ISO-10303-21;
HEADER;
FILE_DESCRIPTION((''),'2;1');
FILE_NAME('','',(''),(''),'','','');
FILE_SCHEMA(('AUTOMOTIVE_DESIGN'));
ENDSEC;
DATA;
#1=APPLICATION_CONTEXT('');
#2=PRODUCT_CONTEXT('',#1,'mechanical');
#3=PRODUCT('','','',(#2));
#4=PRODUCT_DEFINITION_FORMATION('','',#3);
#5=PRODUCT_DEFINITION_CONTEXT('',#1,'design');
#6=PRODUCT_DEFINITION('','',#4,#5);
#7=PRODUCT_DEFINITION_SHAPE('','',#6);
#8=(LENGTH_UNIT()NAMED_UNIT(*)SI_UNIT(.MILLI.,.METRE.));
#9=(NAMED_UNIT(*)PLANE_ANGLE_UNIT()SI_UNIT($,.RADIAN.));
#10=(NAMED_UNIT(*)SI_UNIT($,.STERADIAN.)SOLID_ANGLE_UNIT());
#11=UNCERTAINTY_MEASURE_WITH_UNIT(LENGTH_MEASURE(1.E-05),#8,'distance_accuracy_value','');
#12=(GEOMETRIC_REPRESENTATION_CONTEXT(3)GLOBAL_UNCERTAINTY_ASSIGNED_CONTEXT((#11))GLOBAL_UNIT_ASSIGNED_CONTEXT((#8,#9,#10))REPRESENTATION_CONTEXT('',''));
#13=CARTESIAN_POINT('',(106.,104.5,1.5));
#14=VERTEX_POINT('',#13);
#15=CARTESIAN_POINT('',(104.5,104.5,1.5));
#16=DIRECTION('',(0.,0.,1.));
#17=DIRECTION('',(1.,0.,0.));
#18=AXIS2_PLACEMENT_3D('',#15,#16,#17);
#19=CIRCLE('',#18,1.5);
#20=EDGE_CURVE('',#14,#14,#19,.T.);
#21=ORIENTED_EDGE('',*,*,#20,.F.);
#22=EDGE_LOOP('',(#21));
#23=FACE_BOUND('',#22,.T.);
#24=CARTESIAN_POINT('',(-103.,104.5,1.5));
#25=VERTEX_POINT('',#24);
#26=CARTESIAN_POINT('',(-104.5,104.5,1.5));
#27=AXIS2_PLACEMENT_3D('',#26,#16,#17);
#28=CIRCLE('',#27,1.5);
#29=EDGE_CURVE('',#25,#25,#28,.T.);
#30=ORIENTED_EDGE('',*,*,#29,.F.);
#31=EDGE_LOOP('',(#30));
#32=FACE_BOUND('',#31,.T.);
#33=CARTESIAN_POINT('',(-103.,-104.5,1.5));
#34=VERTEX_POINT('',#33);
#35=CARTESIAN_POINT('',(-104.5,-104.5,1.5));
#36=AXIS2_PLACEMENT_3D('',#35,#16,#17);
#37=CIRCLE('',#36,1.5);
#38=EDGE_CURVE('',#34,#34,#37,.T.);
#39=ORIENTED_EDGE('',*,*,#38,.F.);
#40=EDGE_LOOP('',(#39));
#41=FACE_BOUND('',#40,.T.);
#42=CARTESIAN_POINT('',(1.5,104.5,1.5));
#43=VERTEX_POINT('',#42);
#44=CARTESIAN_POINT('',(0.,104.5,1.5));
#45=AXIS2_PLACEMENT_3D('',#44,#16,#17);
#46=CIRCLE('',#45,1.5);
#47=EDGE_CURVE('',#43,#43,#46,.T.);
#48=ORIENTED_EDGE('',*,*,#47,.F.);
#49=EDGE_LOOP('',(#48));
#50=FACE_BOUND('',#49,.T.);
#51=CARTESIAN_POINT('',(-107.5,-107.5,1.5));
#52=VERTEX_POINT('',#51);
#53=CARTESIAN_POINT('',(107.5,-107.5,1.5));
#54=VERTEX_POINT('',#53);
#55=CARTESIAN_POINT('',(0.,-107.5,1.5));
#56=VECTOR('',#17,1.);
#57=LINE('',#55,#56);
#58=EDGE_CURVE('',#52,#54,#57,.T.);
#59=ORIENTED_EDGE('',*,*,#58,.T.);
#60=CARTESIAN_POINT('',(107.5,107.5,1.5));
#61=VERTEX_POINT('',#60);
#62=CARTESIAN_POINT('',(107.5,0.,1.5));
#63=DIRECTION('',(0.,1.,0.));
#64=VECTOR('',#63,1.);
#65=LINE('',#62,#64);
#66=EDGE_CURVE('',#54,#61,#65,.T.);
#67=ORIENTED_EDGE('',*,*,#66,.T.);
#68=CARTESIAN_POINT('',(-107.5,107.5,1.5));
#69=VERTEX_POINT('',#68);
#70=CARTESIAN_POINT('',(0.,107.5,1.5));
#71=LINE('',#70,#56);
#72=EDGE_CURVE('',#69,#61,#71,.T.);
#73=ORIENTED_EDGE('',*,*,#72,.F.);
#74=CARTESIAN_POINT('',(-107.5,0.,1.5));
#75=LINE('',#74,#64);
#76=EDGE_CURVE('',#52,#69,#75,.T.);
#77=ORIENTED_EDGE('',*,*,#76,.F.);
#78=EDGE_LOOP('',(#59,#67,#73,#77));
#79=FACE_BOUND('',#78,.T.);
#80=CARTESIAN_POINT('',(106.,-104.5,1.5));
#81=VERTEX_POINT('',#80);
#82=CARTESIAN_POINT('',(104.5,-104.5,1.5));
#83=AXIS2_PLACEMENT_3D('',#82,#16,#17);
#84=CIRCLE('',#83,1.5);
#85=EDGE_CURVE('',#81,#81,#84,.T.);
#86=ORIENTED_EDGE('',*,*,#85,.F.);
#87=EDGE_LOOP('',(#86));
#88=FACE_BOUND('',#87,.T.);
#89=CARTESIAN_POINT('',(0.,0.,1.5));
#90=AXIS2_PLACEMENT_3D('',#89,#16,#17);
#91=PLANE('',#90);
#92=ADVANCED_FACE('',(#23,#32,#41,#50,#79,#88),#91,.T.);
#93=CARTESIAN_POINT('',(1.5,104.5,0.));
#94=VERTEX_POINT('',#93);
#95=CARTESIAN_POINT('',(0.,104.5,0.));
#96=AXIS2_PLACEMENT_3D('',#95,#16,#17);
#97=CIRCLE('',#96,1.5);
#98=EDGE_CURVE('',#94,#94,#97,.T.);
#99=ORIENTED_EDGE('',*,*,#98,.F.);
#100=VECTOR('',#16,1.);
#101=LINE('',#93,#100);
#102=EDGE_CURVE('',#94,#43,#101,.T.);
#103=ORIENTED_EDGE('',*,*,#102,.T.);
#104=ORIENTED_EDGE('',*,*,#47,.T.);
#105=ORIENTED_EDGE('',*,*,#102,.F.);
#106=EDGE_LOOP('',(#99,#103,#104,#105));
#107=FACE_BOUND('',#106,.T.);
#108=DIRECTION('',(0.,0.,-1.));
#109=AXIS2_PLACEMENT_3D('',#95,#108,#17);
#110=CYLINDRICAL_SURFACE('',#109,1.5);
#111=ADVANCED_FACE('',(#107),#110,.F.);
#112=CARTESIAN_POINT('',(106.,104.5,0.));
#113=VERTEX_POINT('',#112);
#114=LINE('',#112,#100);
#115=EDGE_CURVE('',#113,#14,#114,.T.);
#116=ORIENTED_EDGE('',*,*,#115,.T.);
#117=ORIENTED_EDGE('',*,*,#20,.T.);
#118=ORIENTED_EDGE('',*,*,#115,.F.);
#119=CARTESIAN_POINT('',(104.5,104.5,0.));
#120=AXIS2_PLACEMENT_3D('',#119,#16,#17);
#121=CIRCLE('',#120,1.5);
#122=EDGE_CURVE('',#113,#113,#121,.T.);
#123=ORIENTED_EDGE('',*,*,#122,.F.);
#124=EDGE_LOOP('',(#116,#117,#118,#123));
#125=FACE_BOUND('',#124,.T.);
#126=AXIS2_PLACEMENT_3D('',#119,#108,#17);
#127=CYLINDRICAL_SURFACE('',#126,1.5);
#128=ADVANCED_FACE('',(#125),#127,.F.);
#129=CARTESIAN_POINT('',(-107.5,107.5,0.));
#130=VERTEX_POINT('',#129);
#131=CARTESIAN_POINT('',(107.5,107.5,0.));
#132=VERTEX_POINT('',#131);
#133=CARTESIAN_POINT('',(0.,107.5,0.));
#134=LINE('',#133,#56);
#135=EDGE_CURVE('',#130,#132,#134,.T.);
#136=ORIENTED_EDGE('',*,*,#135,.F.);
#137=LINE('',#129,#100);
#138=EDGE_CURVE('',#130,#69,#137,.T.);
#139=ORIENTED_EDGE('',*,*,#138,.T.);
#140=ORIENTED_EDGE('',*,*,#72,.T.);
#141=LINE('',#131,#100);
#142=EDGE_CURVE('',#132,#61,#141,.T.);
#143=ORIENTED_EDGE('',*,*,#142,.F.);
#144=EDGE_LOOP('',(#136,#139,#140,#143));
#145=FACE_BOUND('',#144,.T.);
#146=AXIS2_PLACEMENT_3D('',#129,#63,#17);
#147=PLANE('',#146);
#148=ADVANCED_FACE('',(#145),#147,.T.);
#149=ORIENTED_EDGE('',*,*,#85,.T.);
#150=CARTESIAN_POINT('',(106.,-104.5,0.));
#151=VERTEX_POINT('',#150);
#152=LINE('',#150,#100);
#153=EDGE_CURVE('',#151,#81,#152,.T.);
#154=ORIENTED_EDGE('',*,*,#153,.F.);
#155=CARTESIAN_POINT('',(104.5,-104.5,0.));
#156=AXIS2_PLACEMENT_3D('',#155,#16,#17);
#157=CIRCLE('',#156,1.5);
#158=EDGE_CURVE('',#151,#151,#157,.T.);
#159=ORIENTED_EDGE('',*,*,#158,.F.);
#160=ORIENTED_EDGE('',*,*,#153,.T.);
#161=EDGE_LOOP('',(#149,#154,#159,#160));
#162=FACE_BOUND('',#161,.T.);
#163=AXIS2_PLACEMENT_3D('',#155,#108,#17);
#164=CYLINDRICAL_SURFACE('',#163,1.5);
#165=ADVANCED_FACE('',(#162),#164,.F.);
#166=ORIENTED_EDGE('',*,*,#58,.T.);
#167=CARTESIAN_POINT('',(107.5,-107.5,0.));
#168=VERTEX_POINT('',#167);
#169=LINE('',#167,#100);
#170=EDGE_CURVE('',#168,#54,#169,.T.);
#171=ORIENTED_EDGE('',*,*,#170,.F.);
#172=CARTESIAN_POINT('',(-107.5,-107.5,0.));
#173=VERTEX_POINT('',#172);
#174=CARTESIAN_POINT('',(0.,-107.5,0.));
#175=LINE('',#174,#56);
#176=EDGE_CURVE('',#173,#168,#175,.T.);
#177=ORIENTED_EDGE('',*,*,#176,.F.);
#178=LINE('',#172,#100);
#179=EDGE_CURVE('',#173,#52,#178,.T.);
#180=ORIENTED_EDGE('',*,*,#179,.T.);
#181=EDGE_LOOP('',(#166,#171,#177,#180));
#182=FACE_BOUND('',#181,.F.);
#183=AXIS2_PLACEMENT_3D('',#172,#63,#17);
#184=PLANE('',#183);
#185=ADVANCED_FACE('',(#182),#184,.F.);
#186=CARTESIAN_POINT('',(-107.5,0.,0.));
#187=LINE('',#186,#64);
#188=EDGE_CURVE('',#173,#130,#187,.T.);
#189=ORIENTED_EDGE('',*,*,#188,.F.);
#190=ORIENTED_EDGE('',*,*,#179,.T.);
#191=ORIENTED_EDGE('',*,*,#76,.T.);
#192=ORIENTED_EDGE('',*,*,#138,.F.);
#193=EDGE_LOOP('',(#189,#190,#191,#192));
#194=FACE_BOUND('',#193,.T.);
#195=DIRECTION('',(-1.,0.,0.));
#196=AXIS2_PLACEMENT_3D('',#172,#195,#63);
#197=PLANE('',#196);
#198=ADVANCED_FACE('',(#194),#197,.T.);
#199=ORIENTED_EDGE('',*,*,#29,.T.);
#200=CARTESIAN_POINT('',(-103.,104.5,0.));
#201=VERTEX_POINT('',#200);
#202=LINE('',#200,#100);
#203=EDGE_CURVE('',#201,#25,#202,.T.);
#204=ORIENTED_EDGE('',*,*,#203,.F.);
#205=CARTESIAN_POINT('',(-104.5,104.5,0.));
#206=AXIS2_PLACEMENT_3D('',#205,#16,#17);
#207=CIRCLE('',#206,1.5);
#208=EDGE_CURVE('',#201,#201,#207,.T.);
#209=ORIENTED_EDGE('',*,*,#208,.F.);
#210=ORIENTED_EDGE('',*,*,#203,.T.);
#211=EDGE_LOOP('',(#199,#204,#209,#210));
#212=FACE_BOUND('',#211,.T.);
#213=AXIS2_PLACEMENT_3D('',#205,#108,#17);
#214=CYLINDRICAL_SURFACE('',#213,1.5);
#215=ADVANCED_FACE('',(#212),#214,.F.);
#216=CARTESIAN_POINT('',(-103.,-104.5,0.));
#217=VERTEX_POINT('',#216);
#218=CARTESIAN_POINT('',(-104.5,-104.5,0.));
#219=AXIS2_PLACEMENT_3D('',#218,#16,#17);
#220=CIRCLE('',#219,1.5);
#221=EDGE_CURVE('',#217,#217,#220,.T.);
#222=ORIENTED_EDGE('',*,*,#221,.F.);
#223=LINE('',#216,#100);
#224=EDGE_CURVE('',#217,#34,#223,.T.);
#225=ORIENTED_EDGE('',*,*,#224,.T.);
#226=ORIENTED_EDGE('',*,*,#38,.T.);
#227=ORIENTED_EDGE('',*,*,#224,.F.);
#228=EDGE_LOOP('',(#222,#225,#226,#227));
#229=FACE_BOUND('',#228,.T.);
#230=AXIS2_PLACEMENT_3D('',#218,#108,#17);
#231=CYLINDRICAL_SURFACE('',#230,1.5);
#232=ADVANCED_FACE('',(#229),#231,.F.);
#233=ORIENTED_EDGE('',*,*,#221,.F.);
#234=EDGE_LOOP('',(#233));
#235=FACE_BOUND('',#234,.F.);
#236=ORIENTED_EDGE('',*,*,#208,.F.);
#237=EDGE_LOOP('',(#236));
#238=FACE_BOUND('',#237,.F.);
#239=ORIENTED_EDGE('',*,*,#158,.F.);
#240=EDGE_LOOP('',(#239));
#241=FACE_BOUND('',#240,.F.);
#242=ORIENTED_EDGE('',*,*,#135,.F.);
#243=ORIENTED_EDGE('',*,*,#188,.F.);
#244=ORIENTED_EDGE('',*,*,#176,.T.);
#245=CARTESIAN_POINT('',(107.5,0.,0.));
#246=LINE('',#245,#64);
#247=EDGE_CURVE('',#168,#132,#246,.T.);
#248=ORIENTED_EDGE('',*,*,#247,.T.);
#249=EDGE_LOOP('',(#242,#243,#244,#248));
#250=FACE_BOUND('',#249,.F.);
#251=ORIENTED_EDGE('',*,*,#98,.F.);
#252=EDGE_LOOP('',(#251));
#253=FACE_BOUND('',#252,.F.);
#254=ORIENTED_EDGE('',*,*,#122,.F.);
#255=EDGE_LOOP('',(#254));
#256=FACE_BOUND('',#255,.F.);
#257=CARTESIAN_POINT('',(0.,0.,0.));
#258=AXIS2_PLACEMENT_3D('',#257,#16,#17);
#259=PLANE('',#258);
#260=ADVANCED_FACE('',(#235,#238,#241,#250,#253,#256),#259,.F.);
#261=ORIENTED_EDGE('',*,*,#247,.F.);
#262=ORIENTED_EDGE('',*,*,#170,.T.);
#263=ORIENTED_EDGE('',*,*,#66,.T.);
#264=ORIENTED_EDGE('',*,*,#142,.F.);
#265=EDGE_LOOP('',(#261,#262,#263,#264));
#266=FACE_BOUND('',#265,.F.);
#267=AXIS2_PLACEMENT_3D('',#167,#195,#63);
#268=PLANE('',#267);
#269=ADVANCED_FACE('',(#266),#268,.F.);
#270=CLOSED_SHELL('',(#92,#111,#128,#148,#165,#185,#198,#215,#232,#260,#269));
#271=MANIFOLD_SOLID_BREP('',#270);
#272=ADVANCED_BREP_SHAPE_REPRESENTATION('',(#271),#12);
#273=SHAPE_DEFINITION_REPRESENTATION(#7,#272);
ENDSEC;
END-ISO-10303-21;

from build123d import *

# Parameters (mm, degrees)
F0_W     = 215
F0_H     = 215
F0_R     = 1.5
F1_DEPTH = 1.5


with BuildPart() as f1:
    # F0 (on Top) → F1 (new body)
    with BuildSketch(Plane.XY):
        Rectangle(F0_W, F0_H)
        with Locations((-104.5, -104.5)):
            Circle(F0_R, mode=Mode.SUBTRACT)
        with Locations((104.5, -104.5)):
            Circle(F0_R, mode=Mode.SUBTRACT)
        with Locations((-104.5, 104.5)):
            Circle(F0_R, mode=Mode.SUBTRACT)
        with Locations((0, 104.5)):
            Circle(F0_R, mode=Mode.SUBTRACT)
        with Locations((104.5, 104.5)):
            Circle(F0_R, mode=Mode.SUBTRACT)
    extrude(amount=F1_DEPTH)


solid = f1.part
